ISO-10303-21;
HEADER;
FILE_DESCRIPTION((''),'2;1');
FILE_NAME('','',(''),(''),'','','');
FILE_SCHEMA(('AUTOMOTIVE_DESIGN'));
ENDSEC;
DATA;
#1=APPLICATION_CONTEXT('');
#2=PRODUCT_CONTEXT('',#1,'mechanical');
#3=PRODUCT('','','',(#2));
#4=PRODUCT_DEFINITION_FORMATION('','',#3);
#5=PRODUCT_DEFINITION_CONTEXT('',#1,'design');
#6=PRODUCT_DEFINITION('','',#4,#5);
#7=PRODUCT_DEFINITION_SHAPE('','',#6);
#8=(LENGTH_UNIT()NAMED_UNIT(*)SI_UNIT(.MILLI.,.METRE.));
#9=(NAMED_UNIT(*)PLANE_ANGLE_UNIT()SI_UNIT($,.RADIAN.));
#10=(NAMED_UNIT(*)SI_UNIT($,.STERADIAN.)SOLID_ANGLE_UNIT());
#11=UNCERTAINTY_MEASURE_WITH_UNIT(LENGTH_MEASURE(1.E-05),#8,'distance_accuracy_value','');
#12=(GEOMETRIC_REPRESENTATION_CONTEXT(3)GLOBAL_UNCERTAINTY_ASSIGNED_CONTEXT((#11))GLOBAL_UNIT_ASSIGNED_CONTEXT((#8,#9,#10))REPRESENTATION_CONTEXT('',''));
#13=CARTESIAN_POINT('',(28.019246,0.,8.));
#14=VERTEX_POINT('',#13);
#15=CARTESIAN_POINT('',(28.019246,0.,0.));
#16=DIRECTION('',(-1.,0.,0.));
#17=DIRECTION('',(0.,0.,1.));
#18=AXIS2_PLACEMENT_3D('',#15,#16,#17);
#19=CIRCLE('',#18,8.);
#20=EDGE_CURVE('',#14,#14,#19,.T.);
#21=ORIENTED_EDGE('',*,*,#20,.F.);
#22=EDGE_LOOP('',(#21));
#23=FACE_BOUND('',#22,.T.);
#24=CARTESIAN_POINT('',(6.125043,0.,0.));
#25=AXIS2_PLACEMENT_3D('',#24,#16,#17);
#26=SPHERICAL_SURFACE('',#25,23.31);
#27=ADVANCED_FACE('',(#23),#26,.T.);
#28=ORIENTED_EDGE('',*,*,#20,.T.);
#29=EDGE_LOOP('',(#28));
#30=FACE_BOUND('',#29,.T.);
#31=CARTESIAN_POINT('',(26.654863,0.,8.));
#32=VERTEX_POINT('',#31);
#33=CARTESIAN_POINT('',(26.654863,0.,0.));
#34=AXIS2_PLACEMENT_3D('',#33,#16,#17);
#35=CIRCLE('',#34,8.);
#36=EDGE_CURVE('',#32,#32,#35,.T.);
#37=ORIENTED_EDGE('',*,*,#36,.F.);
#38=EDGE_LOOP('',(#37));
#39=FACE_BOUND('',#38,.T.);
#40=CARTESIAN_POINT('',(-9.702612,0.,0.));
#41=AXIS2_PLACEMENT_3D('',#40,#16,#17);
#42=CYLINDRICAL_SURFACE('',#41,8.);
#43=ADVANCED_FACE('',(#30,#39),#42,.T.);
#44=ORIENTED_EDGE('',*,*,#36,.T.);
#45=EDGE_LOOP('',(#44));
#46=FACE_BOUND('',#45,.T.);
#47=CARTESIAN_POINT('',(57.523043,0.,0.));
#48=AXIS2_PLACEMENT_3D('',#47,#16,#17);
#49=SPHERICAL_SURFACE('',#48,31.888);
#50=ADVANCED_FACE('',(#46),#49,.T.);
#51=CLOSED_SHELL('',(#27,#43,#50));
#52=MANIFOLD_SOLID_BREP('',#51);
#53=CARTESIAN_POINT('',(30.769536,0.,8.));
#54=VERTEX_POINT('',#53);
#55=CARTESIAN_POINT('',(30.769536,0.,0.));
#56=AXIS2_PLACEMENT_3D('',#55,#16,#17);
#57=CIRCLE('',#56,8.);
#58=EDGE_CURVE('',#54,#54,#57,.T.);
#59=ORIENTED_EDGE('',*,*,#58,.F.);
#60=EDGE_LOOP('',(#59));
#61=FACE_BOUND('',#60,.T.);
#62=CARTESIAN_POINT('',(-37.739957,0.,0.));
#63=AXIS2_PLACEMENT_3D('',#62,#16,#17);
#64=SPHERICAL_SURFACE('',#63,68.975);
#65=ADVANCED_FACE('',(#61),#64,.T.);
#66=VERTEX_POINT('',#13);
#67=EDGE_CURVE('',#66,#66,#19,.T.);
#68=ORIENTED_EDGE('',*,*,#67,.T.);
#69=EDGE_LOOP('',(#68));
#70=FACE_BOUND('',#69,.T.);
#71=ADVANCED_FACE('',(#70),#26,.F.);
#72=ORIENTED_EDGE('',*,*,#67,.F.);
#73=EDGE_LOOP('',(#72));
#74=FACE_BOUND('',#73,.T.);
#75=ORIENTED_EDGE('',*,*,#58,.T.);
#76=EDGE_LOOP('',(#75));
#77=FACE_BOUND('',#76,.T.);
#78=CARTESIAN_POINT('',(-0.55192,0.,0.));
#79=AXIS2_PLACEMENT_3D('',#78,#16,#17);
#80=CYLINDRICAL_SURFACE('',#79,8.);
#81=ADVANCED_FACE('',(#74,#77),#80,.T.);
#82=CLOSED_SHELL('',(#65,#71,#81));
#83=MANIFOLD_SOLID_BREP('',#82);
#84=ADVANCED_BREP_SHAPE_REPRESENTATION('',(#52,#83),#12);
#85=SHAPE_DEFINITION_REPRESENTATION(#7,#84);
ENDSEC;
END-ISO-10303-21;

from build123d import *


with BuildPart() as part:
    # 草图1 one side → 旋转1 (revolve)
    with BuildSketch(Plane(origin=(0, 0, 0), x_dir=(1, 0, 0), z_dir=(0, 1, 0)), mode=Mode.PRIVATE) as revolve_1_sk:
        with BuildLine():
            ThreePointArc((26.654863358, 8), (25.891025905, 4.032370041), (25.63504348, 0))
            Line((25.63504348, 0), (29.43504348, 0))
            ThreePointArc((29.43504348, 0), (29.078365228, 4.062157147), (28.019245909, 8))
            Line((28.019245909, 8), (26.654863358, 8))
        make_face()
    revolve(revolve_1_sk.sketch.rotate(Axis((-9.702612178, 0, 0), (1, 0, 0)), 180), axis=Axis((-9.702612178, 0, 0), (1, 0, 0)))  # turned: the seam where the file's is


with BuildPart() as body_2:
    # 草图2 one side → 旋转3 (revolve)
    with BuildSketch(Plane(origin=(0, 0, 0), x_dir=(1, 0, 0), z_dir=(0, 1, 0)), mode=Mode.PRIVATE) as revolve_3_sk:
        with BuildLine():
            Line((30.769536435, 8), (28.019245909, 8))
            ThreePointArc((28.019245909, 8), (29.078365228, 4.062157147), (29.43504348, 0))
            Line((29.43504348, 0), (31.23504348, 0))
            ThreePointArc((31.23504348, 0), (31.118568375, 4.006766053), (30.769536435, 8))
        make_face()
    revolve(revolve_3_sk.sketch.rotate(Axis((-0.551919993, 0, 0), (1, 0, 0)), 180), axis=Axis((-0.551919993, 0, 0), (1, 0, 0)))  # turned: the seam where the file's is


solid = Compound([part.part, body_2.part])
